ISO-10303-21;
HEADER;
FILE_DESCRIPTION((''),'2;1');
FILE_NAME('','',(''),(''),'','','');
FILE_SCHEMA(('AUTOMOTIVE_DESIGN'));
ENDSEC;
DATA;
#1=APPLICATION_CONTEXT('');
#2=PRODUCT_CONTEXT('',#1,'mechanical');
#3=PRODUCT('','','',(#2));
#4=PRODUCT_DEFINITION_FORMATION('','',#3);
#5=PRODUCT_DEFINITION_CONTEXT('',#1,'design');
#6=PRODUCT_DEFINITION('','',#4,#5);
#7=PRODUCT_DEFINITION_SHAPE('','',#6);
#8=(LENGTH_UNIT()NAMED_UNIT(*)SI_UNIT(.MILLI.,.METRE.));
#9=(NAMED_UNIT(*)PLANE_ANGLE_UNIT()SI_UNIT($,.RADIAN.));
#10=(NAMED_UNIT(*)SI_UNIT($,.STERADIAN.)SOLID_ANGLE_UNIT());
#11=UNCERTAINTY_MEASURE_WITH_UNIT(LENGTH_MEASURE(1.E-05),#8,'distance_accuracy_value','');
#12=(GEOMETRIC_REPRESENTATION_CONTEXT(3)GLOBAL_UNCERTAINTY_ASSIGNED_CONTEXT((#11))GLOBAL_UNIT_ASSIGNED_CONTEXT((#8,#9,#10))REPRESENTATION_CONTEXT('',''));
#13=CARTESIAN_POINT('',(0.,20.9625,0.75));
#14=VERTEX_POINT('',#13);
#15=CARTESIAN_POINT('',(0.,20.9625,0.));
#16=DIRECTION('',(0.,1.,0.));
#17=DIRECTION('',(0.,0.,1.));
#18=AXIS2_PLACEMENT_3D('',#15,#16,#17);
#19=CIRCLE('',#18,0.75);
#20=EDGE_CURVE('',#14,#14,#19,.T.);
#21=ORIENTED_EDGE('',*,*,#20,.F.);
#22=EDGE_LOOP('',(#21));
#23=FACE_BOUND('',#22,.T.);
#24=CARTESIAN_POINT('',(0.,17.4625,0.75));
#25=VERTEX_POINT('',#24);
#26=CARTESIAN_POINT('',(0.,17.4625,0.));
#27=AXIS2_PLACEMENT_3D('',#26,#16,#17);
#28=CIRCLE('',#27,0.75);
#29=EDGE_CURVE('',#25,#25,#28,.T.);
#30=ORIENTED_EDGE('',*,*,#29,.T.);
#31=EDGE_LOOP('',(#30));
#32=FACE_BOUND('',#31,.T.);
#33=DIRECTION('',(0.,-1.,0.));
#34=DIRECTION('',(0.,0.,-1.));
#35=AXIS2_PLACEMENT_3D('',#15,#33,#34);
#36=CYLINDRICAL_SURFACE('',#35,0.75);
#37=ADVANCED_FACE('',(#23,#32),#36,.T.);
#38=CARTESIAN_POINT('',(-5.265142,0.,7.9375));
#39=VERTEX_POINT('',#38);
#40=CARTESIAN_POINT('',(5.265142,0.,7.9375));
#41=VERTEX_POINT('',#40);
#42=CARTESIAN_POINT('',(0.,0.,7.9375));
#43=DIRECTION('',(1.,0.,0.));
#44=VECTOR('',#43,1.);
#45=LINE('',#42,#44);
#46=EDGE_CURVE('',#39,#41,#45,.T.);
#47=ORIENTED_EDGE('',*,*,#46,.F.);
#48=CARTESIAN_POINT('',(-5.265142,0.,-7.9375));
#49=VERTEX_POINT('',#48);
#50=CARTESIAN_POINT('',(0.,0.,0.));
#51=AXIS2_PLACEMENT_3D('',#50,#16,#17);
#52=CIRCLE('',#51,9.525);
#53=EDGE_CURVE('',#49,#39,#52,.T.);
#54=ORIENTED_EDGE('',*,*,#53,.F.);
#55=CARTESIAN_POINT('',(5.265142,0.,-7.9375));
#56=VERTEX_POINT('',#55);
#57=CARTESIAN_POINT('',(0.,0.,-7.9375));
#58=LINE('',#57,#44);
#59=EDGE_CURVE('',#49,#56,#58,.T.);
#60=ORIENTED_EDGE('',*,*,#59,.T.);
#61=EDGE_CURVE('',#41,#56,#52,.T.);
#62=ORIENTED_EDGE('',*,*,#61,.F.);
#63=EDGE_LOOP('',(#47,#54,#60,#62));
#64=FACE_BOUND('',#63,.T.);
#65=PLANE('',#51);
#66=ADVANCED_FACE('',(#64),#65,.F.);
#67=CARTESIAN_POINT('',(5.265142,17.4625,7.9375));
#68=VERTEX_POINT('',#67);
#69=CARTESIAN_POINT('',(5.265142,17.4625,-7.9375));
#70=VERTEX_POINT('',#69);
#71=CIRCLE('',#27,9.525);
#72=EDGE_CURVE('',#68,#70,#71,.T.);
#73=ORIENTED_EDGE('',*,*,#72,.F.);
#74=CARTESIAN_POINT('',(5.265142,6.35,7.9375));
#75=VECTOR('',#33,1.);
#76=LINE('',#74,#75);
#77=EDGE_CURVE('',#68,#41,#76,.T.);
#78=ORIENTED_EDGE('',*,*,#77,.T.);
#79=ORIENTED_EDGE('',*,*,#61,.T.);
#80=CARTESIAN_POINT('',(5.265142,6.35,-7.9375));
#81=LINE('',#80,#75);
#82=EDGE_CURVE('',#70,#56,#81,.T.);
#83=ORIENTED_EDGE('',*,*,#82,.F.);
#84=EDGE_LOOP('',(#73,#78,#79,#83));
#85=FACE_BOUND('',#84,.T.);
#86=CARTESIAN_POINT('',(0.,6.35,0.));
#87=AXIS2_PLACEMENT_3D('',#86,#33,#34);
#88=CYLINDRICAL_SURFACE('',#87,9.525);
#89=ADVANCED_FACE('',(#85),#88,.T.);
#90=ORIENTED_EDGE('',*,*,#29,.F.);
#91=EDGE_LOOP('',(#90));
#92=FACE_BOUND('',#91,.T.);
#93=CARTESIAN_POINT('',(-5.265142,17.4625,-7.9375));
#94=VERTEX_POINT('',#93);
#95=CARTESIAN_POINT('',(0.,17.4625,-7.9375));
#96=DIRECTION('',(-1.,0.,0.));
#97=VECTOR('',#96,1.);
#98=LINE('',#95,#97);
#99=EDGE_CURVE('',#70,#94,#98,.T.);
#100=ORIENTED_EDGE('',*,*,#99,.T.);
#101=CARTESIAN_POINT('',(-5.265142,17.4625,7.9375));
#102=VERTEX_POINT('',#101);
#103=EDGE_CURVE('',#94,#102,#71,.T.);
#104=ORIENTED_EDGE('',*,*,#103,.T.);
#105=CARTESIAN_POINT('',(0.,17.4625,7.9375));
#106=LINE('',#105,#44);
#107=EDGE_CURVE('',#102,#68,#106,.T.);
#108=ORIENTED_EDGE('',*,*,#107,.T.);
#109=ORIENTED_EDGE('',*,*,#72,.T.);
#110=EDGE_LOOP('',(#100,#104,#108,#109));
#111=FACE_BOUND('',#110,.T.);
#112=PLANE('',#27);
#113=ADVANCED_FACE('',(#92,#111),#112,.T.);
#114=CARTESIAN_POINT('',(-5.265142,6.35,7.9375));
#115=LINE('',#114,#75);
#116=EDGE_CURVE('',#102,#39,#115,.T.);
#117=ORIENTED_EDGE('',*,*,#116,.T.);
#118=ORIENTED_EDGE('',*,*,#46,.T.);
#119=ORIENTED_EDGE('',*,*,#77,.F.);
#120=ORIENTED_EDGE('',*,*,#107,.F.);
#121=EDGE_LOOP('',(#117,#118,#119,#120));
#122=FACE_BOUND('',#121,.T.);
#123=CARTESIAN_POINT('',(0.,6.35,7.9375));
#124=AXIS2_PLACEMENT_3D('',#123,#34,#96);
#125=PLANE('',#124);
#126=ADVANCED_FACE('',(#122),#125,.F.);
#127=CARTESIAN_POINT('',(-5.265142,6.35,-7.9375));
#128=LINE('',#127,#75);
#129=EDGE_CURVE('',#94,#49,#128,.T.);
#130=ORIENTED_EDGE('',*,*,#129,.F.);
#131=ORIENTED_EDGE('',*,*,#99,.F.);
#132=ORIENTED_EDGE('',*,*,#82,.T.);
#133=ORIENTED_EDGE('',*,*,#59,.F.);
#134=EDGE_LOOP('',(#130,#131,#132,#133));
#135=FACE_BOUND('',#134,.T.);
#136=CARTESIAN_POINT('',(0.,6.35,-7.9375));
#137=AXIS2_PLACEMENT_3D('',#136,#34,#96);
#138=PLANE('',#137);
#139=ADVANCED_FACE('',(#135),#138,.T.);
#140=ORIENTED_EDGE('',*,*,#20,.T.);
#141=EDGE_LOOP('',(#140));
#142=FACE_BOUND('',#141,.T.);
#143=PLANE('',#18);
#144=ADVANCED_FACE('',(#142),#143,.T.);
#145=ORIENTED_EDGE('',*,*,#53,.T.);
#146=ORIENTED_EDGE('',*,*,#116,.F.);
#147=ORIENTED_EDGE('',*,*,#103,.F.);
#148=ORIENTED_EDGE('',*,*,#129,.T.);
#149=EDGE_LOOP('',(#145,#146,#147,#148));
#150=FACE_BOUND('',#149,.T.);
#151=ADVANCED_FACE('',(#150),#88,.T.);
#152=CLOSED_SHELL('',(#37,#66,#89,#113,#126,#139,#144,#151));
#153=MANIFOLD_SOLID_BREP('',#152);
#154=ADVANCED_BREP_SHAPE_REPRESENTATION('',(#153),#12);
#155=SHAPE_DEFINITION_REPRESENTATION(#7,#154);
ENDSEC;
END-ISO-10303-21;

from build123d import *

# Parameters (mm, degrees)
BOSS_EXTRUDE1_DEPTH = 6.35
BOSS_EXTRUDE2_DEPTH = 11.1125
SKETCH3_R           = 0.75
BOSS_EXTRUDE3_DEPTH = 3.5


with BuildPart() as part:
    # Sketch1 → Boss-Extrude1 (new body)
    with BuildSketch(Plane(origin=(0, 0, 0), x_dir=(1, 0, 0), z_dir=(0, 1, 0))):
        with BuildLine():
            Line((5.265141855, 7.9375), (-5.265141855, 7.9375))
            ThreePointArc((-5.265141855, 7.9375), (-9.525, 0), (-5.265141855, -7.9375))
            Line((-5.265141855, -7.9375), (5.265141855, -7.9375))
            ThreePointArc((5.265141855, -7.9375), (9.525, 0), (5.265141855, 7.9375))
        make_face()
    extrude(amount=BOSS_EXTRUDE1_DEPTH)

    # Sketch2 → Boss-Extrude2 (add)
    with BuildSketch(Plane(origin=(0, 6.35, 0), x_dir=(1, 0, 0), z_dir=(0, 1, 0))):
        with BuildLine():
            Line((5.265141855, 7.9375), (-5.265141855, 7.9375))
            ThreePointArc((-5.265141855, 7.9375), (-9.525, 0), (-5.265141855, -7.9375))
            Line((-5.265141855, -7.9375), (5.265141855, -7.9375))
            ThreePointArc((5.265141855, -7.9375), (9.525, 0), (5.265141855, 7.9375))
        make_face()
    extrude(amount=BOSS_EXTRUDE2_DEPTH)

    # Sketch3 → Boss-Extrude3 (add)
    with BuildSketch(Plane(origin=(0, 17.4625, 0), x_dir=(1, 0, 0), z_dir=(0, 1, 0))):
        Circle(SKETCH3_R)
    extrude(amount=BOSS_EXTRUDE3_DEPTH)


solid = part.part
